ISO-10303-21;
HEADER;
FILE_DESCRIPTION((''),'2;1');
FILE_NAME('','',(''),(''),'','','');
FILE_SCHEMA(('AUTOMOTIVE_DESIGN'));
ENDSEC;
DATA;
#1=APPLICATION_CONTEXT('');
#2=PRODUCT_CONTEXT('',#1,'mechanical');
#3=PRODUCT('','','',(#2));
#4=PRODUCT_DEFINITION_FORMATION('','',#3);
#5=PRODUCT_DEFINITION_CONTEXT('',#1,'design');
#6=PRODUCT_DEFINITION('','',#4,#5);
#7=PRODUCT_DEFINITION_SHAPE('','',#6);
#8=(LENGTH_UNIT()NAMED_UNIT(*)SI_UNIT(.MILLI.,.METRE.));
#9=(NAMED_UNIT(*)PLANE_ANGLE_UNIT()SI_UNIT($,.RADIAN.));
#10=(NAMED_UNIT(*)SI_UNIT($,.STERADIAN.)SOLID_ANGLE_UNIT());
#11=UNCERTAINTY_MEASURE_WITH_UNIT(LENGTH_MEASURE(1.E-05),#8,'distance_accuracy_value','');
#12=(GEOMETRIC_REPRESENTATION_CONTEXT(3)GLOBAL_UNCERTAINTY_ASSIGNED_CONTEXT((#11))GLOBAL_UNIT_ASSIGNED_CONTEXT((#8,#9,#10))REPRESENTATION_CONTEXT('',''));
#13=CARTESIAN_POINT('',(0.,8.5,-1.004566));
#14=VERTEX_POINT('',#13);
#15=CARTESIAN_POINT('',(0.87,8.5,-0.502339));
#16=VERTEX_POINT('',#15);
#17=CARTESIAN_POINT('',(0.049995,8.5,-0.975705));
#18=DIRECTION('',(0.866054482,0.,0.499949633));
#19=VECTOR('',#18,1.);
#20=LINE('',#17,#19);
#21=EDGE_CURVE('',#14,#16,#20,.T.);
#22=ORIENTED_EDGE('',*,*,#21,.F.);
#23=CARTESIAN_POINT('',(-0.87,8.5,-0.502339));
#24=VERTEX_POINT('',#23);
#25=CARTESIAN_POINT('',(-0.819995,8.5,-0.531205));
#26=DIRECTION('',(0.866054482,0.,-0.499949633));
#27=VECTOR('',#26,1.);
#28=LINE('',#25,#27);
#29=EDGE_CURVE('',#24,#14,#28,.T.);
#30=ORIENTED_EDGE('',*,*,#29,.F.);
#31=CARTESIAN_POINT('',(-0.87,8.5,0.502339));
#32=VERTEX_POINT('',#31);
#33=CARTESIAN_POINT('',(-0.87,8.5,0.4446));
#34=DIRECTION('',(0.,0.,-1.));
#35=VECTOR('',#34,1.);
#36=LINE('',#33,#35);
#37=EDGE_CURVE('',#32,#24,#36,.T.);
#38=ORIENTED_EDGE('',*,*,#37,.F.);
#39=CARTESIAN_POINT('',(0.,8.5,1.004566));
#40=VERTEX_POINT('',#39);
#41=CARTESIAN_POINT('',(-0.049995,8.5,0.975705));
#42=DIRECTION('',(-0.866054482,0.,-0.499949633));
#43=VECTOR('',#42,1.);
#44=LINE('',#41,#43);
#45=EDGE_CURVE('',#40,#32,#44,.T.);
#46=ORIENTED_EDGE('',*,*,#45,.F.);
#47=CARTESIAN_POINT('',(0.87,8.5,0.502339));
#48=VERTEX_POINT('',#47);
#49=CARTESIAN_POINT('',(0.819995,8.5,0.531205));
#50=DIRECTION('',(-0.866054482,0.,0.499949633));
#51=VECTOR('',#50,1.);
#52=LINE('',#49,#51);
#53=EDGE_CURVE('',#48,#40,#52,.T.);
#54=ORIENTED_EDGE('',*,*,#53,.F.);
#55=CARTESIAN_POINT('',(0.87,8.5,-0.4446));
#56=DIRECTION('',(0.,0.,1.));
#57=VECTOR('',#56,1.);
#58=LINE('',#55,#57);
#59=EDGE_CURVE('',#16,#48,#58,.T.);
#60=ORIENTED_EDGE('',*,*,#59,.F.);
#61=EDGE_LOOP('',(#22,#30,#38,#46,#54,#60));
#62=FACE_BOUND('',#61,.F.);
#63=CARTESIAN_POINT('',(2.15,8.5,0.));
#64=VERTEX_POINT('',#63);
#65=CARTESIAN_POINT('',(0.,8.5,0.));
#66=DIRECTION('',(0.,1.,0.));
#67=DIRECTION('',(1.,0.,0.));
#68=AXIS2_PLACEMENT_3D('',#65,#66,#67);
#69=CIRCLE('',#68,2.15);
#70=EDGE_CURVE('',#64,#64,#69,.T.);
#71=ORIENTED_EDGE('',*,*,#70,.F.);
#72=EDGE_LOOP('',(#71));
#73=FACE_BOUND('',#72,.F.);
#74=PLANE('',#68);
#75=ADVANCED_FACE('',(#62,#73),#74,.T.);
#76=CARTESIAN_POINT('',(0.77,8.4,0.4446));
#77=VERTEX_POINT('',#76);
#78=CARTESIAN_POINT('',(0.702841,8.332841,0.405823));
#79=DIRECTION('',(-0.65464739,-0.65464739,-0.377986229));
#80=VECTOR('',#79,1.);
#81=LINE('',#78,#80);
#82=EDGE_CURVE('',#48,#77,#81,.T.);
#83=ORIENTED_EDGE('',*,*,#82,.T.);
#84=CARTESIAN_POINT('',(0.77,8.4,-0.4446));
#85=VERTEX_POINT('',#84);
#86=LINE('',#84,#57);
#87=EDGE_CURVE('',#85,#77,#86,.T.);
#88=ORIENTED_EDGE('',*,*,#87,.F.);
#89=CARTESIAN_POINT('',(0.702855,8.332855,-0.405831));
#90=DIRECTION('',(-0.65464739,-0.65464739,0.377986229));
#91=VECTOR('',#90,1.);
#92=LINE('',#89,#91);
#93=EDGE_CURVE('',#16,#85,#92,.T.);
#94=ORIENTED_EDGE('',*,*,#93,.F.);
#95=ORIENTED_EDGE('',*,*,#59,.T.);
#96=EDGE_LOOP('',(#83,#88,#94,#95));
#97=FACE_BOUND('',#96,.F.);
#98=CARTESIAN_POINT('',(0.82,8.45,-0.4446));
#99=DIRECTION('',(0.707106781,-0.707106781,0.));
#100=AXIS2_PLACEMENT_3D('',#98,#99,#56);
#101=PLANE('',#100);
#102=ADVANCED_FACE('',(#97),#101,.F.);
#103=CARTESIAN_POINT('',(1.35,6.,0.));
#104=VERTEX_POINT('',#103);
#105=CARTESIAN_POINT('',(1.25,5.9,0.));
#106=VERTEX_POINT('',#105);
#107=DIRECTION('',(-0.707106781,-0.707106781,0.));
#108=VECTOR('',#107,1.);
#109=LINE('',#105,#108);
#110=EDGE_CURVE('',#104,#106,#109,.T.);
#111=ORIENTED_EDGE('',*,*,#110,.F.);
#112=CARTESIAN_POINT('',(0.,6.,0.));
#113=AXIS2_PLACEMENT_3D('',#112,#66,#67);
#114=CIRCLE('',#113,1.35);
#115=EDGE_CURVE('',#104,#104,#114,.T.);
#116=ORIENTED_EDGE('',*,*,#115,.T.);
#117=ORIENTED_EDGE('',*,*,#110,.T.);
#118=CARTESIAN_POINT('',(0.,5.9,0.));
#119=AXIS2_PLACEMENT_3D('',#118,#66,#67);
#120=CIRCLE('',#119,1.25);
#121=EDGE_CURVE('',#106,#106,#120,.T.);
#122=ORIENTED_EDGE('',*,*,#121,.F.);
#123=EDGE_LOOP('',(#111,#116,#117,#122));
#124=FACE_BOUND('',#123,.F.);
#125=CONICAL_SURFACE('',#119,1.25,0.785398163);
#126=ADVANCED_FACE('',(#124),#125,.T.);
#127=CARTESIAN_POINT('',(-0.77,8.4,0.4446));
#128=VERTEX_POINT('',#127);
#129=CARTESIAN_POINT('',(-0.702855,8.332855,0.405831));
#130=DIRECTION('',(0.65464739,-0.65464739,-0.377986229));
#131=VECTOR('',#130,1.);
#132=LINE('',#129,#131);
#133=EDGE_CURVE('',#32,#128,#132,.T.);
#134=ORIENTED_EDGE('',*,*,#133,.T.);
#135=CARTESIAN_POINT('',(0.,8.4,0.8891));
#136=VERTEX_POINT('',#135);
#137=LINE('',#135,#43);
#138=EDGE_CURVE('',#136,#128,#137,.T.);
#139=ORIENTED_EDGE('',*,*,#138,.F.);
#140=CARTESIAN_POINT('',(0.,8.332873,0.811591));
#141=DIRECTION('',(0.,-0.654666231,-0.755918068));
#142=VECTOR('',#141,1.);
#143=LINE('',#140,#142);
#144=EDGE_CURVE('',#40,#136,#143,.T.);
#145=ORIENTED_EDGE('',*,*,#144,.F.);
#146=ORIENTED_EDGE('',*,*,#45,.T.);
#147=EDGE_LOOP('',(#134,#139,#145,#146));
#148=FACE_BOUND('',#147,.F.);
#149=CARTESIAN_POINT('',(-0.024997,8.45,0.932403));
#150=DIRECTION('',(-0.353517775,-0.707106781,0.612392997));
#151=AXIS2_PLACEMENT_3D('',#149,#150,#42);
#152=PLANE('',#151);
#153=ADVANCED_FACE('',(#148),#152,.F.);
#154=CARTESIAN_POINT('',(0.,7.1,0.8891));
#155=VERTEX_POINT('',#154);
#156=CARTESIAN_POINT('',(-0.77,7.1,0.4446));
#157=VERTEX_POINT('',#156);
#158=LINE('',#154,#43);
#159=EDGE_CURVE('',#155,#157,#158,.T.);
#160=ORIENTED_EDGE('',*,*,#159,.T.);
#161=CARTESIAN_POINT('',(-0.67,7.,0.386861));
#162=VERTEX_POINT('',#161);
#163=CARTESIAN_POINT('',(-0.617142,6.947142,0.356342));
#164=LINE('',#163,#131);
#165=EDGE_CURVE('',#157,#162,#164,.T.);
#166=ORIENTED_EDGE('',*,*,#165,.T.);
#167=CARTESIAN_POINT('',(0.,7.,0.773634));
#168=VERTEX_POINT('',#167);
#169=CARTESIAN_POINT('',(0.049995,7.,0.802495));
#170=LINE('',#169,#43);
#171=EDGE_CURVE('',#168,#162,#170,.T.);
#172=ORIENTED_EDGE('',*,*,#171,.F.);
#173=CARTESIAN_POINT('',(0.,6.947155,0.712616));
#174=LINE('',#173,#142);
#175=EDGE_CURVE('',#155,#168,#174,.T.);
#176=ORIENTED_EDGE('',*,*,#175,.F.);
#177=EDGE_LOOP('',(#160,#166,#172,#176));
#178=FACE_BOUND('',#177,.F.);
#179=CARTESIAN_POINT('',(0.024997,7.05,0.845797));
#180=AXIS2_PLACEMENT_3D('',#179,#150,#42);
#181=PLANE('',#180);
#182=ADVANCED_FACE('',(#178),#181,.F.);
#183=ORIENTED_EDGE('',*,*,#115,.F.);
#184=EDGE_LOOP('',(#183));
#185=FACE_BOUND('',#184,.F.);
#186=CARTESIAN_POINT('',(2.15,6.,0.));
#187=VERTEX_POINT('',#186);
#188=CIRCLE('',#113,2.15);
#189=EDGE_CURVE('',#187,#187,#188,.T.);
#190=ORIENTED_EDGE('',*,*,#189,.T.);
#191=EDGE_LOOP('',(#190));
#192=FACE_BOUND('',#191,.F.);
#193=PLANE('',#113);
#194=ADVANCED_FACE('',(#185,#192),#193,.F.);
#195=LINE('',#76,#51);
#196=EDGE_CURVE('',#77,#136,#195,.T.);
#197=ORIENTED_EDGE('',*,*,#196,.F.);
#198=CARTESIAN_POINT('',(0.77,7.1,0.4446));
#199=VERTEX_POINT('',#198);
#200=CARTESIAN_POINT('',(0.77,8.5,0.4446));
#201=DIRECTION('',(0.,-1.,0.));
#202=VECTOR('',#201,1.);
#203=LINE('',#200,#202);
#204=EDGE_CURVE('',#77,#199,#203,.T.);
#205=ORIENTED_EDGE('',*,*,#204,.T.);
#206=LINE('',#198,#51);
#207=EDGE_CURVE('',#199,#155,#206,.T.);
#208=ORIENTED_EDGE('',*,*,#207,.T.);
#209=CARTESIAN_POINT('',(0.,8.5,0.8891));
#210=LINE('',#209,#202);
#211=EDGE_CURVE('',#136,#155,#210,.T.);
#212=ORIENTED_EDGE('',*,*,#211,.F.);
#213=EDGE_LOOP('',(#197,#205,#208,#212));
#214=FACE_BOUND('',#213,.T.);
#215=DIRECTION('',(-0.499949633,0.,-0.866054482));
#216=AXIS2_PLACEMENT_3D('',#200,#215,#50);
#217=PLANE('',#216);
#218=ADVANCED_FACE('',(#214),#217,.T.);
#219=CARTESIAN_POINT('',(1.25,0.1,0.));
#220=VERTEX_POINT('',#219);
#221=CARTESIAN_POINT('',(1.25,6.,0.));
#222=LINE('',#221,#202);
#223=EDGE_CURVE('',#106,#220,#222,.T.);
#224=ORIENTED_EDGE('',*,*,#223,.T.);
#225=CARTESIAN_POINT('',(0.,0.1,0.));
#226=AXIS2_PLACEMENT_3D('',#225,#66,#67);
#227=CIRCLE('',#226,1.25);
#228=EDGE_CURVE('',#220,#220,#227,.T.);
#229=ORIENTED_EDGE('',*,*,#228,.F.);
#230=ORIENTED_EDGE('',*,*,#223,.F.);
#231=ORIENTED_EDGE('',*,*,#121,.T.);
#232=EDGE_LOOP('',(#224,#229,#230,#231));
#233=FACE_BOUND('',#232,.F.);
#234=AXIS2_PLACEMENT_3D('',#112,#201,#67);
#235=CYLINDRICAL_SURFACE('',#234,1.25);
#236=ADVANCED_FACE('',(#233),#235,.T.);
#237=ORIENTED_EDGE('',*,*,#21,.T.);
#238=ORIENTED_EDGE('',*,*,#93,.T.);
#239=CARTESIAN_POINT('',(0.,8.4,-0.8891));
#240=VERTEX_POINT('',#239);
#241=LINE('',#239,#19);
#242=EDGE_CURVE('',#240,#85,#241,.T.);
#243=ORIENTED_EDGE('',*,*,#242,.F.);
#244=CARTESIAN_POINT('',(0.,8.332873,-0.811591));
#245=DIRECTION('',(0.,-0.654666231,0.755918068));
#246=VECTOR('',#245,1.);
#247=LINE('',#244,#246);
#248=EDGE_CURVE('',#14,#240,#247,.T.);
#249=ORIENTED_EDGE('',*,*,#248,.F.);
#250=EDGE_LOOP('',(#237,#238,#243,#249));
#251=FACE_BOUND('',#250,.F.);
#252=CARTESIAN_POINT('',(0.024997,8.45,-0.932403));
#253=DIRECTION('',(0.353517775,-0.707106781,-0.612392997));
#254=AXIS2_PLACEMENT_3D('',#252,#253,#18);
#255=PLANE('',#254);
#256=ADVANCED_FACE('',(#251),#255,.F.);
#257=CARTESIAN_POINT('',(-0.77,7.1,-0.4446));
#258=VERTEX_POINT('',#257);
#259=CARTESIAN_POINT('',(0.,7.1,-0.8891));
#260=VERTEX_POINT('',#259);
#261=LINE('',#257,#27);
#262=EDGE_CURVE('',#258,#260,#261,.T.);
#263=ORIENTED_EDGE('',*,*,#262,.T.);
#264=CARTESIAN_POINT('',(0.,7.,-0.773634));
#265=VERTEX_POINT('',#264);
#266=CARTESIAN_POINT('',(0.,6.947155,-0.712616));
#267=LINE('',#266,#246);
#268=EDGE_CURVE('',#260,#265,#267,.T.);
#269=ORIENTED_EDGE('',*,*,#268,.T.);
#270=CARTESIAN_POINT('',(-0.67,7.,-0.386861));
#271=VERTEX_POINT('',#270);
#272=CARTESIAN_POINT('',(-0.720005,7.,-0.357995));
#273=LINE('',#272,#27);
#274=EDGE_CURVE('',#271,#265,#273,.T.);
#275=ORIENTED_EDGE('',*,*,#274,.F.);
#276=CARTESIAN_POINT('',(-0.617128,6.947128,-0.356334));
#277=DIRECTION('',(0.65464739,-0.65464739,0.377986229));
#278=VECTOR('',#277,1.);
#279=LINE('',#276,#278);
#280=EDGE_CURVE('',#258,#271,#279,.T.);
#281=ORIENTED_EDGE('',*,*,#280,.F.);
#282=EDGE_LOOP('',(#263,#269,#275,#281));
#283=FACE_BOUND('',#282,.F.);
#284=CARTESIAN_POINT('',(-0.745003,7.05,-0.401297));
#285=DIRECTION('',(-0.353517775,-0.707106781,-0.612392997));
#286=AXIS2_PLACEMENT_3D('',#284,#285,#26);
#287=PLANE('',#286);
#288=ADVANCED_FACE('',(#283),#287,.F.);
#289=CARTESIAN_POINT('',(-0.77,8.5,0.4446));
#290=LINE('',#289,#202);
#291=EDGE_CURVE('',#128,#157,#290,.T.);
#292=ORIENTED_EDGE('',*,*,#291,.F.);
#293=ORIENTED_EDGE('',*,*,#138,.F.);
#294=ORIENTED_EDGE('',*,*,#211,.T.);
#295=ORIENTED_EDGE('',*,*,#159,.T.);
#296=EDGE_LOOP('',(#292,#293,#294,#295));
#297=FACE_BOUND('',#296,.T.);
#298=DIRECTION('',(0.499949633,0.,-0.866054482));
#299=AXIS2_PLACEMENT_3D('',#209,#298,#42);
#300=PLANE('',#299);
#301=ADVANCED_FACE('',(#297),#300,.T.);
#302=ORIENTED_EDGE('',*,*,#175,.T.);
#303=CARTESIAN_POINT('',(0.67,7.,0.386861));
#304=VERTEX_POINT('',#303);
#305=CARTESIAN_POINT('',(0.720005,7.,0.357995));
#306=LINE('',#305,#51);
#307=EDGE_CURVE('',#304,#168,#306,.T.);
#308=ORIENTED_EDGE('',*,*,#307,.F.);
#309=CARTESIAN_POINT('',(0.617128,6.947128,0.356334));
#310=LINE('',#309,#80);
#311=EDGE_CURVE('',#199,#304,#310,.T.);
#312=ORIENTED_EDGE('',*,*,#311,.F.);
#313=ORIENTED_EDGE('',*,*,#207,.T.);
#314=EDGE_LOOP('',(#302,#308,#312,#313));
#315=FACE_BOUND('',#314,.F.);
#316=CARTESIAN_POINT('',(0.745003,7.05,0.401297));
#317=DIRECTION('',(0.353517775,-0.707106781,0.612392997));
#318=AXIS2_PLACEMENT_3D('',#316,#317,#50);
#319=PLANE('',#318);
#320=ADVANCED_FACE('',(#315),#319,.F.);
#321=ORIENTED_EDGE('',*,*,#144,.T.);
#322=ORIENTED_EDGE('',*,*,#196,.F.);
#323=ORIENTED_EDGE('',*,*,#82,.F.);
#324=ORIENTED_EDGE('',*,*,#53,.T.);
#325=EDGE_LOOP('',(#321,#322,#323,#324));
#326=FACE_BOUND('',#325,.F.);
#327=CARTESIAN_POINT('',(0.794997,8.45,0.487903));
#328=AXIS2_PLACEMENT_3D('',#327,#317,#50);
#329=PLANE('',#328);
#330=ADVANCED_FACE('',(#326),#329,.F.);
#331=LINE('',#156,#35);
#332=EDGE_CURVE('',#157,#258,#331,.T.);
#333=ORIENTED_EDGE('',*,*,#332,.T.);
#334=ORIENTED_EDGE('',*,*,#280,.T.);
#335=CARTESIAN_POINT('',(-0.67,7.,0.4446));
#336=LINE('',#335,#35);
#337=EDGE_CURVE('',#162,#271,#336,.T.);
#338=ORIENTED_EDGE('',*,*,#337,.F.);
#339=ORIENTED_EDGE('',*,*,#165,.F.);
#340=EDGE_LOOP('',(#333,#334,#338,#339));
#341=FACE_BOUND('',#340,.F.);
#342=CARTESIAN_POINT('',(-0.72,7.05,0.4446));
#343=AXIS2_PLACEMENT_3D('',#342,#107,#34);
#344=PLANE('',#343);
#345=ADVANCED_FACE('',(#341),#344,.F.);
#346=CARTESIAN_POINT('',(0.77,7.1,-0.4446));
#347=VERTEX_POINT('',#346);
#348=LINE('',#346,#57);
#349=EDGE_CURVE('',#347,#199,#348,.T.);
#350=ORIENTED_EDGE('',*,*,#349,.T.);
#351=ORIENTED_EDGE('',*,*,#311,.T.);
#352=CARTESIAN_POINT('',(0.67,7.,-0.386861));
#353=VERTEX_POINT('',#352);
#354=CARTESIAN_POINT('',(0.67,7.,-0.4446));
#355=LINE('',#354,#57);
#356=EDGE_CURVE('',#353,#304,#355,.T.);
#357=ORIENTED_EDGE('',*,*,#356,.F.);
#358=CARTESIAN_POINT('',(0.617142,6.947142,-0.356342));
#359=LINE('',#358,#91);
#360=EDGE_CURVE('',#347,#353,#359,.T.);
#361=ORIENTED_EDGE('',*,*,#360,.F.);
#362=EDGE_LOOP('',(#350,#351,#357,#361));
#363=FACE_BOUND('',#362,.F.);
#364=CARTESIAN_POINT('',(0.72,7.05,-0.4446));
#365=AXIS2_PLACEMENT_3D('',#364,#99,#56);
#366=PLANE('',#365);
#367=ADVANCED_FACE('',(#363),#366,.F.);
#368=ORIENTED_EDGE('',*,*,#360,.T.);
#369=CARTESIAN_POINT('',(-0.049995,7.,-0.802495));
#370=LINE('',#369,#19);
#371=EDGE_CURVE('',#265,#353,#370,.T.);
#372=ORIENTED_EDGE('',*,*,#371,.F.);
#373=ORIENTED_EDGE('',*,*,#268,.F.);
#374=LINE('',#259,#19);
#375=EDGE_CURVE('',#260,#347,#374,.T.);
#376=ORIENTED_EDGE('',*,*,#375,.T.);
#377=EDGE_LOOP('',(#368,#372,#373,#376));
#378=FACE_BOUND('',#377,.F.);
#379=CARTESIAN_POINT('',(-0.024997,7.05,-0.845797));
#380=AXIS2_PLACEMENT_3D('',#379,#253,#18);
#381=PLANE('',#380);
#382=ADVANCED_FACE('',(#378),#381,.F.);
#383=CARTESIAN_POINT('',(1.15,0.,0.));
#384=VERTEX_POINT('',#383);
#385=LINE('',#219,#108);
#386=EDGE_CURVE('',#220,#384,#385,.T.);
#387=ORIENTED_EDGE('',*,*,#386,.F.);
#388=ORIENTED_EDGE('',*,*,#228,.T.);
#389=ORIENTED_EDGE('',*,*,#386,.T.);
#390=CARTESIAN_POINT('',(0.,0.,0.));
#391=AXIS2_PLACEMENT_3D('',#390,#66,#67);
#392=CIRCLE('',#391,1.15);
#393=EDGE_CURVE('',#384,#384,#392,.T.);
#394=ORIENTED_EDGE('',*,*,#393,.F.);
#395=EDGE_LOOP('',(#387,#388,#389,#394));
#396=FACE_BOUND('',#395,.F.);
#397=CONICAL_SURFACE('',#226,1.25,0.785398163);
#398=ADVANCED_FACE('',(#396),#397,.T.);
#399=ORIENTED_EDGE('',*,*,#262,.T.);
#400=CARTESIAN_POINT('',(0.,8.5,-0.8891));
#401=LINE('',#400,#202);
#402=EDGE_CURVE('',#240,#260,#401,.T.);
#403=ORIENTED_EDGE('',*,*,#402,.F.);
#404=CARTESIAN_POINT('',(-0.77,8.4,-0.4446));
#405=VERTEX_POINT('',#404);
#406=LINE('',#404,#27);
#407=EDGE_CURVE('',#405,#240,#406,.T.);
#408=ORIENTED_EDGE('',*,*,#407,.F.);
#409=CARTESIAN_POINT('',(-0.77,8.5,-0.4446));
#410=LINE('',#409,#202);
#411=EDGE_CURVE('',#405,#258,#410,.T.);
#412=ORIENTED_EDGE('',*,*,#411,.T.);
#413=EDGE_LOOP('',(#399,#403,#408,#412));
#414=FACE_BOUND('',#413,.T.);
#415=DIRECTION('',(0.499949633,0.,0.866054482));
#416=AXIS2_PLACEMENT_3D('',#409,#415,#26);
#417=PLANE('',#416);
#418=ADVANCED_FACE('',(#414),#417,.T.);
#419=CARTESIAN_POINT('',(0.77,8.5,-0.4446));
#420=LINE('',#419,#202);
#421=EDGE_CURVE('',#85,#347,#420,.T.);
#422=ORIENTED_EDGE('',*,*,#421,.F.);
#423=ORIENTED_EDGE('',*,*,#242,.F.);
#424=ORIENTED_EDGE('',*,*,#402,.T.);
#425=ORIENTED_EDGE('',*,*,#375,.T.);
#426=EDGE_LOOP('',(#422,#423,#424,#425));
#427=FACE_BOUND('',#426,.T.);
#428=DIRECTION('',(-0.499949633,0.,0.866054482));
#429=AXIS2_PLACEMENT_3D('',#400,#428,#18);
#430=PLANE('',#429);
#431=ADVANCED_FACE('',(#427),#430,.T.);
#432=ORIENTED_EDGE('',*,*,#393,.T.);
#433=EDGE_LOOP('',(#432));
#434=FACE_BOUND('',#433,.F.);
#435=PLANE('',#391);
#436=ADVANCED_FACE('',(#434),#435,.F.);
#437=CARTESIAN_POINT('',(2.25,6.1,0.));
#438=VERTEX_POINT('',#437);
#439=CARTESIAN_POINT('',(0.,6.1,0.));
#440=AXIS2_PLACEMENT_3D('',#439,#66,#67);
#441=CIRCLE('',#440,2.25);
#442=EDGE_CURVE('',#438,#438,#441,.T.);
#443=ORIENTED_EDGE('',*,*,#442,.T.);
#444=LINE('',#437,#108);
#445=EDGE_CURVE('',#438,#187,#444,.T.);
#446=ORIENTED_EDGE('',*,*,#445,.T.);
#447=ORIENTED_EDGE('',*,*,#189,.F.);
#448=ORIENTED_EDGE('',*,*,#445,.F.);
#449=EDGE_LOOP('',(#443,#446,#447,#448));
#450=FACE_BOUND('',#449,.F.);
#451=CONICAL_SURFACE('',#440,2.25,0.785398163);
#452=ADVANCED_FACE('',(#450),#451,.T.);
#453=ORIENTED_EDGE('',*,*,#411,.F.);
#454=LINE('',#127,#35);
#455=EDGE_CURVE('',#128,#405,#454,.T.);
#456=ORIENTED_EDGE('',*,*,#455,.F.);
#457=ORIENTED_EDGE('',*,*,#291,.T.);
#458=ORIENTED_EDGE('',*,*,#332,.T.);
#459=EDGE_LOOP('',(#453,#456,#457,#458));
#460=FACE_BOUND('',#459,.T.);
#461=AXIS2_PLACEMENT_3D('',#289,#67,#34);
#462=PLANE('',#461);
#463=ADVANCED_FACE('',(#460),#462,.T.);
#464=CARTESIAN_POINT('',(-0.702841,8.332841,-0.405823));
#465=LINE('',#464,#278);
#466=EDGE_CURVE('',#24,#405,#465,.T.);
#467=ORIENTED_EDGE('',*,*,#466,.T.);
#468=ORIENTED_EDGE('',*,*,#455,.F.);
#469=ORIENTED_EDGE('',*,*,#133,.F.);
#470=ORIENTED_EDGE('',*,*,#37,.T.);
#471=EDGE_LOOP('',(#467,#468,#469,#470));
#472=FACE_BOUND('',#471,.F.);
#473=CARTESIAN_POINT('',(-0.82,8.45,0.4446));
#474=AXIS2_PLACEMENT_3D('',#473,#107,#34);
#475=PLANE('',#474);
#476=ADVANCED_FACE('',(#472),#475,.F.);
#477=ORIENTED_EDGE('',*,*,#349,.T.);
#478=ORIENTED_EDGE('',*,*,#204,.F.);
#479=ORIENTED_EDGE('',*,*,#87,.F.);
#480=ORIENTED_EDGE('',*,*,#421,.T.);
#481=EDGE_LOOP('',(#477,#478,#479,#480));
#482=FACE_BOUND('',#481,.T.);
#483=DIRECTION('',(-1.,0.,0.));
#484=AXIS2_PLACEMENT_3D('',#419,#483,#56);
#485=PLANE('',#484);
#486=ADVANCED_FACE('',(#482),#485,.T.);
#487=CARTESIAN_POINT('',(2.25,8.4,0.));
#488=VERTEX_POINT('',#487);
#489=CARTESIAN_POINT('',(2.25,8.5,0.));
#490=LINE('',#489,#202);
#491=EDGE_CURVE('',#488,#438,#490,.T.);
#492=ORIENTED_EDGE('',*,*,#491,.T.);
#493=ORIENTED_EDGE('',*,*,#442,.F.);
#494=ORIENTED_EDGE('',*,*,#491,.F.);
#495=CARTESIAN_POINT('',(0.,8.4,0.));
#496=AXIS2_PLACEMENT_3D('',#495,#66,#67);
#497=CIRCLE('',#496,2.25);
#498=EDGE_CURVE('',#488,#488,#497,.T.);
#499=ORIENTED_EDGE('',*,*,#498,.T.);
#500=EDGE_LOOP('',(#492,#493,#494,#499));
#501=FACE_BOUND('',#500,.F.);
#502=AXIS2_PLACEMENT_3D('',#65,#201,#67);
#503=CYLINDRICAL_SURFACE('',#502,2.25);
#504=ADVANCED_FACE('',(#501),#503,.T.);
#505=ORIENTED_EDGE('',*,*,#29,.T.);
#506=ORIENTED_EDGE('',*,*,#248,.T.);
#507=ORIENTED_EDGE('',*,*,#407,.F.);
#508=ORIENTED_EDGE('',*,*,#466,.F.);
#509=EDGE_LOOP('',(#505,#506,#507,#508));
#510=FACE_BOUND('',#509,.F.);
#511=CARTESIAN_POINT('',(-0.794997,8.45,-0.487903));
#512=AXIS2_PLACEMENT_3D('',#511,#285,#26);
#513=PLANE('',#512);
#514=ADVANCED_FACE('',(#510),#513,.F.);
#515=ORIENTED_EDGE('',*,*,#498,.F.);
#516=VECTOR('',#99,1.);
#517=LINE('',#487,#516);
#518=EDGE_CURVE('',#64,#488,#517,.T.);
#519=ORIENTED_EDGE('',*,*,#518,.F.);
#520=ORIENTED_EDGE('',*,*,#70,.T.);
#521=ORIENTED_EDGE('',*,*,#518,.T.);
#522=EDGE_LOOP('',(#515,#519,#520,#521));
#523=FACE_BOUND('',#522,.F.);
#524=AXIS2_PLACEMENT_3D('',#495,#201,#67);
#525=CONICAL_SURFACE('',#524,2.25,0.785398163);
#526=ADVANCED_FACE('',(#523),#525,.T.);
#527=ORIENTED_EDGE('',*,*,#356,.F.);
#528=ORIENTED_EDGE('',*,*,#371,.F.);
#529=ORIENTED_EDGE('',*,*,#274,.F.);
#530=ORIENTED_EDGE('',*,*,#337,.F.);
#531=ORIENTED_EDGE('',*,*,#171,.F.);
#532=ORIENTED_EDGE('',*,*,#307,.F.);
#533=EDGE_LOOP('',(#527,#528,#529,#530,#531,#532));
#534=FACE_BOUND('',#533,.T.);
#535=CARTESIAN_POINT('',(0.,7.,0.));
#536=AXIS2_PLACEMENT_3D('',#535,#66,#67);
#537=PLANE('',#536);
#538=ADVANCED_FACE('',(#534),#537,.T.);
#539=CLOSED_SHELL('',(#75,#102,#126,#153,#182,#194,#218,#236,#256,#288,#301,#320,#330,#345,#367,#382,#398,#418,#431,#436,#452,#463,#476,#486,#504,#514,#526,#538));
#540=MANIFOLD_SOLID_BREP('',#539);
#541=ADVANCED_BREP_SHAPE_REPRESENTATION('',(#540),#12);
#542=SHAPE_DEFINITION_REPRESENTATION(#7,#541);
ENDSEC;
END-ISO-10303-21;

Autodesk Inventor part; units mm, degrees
ref_plane "YZ Plane" through (0, 0, 0) normal (1, 0, 0) x (0, 1, 0)
ref_plane "XZ Plane" through (0, 0, 0) normal (0, 1, 0) x (-1, 0, 0)
ref_plane "XY Plane" through (0, 0, 0) normal (0, 0, 1) x (1, 0, 0)
sketch "Sketch1" plane through (0, 0, 0) normal (0, 0, 1) x (1, 0, 0)
  line L0 (0, 8.5) -> (2.25, 8.5)
  line L1 (2.25, 8.5) -> (2.25, 6)
  line L2 (2.25, 6) -> (1.25, 6)
  line L3 (1.25, 6) -> (1.25, 0)
  line L4 (1.25, 0) -> (0, 0)
  line L5 (0, 0) -> (0, 8.5)
  dimension "d0" = 2.25
  dimension "d1" = 2.5
  dimension "d2" = 6
  dimension "d3" = 1.25
revolve "Revolution1" add sketch "Sketch1" angle 360 about axis through (0, 0, 0) along (0, 1, 0)
thread "Thread1" size "M2.5x0.45" class "6g" standard "ANSI Metric M Profile" full length
sketch "Sketch3" plane through (0, 8.5, 0) normal (0, 1, 0) x (1, 0, 0)
  line L0 (0.77, -0.4446) -> (0, -0.8891)
  line L1 (0, -0.8891) -> (-0.77, -0.4446)
  line L2 (-0.77, -0.4446) -> (-0.77, 0.4446)
  line L3 (-0.77, 0.4446) -> (0, 0.8891)
  line L4 (0, 0.8891) -> (0.77, 0.4446)
  line L5 (0.77, 0.4446) -> (0.77, -0.4446)
  point P0 (0, 0)
  point P1 (0, 0)
  dimension "d13" = 1.54
extrude "Extrusion2" cut sketch "Sketch3" against normal blind 1.5
chamfer "Chamfer2" distance 0.1 angle 45 16 edges at (0.385, 8.5, 0.6668) (0.77, 8.5, 0) (0.77, 7, 0) (0.385, 8.5, -0.6668) (0.385, 7, -0.6668) (-0.385, 8.5, -0.6668) (-0.385, 7, -0.6668) (-0.77, 7, 0) (-0.77, 8.5, 0) (-0.385, 7, 0.6668) (-0.385, 8.5, 0.6668) (0.385, 7, 0.6668) (-2.25, 8.5, 0) (-2.25, 6, 0) (-1.25, 6, 0) (-1.25, 0, 0)
properties part number "M2.5 X 6"
